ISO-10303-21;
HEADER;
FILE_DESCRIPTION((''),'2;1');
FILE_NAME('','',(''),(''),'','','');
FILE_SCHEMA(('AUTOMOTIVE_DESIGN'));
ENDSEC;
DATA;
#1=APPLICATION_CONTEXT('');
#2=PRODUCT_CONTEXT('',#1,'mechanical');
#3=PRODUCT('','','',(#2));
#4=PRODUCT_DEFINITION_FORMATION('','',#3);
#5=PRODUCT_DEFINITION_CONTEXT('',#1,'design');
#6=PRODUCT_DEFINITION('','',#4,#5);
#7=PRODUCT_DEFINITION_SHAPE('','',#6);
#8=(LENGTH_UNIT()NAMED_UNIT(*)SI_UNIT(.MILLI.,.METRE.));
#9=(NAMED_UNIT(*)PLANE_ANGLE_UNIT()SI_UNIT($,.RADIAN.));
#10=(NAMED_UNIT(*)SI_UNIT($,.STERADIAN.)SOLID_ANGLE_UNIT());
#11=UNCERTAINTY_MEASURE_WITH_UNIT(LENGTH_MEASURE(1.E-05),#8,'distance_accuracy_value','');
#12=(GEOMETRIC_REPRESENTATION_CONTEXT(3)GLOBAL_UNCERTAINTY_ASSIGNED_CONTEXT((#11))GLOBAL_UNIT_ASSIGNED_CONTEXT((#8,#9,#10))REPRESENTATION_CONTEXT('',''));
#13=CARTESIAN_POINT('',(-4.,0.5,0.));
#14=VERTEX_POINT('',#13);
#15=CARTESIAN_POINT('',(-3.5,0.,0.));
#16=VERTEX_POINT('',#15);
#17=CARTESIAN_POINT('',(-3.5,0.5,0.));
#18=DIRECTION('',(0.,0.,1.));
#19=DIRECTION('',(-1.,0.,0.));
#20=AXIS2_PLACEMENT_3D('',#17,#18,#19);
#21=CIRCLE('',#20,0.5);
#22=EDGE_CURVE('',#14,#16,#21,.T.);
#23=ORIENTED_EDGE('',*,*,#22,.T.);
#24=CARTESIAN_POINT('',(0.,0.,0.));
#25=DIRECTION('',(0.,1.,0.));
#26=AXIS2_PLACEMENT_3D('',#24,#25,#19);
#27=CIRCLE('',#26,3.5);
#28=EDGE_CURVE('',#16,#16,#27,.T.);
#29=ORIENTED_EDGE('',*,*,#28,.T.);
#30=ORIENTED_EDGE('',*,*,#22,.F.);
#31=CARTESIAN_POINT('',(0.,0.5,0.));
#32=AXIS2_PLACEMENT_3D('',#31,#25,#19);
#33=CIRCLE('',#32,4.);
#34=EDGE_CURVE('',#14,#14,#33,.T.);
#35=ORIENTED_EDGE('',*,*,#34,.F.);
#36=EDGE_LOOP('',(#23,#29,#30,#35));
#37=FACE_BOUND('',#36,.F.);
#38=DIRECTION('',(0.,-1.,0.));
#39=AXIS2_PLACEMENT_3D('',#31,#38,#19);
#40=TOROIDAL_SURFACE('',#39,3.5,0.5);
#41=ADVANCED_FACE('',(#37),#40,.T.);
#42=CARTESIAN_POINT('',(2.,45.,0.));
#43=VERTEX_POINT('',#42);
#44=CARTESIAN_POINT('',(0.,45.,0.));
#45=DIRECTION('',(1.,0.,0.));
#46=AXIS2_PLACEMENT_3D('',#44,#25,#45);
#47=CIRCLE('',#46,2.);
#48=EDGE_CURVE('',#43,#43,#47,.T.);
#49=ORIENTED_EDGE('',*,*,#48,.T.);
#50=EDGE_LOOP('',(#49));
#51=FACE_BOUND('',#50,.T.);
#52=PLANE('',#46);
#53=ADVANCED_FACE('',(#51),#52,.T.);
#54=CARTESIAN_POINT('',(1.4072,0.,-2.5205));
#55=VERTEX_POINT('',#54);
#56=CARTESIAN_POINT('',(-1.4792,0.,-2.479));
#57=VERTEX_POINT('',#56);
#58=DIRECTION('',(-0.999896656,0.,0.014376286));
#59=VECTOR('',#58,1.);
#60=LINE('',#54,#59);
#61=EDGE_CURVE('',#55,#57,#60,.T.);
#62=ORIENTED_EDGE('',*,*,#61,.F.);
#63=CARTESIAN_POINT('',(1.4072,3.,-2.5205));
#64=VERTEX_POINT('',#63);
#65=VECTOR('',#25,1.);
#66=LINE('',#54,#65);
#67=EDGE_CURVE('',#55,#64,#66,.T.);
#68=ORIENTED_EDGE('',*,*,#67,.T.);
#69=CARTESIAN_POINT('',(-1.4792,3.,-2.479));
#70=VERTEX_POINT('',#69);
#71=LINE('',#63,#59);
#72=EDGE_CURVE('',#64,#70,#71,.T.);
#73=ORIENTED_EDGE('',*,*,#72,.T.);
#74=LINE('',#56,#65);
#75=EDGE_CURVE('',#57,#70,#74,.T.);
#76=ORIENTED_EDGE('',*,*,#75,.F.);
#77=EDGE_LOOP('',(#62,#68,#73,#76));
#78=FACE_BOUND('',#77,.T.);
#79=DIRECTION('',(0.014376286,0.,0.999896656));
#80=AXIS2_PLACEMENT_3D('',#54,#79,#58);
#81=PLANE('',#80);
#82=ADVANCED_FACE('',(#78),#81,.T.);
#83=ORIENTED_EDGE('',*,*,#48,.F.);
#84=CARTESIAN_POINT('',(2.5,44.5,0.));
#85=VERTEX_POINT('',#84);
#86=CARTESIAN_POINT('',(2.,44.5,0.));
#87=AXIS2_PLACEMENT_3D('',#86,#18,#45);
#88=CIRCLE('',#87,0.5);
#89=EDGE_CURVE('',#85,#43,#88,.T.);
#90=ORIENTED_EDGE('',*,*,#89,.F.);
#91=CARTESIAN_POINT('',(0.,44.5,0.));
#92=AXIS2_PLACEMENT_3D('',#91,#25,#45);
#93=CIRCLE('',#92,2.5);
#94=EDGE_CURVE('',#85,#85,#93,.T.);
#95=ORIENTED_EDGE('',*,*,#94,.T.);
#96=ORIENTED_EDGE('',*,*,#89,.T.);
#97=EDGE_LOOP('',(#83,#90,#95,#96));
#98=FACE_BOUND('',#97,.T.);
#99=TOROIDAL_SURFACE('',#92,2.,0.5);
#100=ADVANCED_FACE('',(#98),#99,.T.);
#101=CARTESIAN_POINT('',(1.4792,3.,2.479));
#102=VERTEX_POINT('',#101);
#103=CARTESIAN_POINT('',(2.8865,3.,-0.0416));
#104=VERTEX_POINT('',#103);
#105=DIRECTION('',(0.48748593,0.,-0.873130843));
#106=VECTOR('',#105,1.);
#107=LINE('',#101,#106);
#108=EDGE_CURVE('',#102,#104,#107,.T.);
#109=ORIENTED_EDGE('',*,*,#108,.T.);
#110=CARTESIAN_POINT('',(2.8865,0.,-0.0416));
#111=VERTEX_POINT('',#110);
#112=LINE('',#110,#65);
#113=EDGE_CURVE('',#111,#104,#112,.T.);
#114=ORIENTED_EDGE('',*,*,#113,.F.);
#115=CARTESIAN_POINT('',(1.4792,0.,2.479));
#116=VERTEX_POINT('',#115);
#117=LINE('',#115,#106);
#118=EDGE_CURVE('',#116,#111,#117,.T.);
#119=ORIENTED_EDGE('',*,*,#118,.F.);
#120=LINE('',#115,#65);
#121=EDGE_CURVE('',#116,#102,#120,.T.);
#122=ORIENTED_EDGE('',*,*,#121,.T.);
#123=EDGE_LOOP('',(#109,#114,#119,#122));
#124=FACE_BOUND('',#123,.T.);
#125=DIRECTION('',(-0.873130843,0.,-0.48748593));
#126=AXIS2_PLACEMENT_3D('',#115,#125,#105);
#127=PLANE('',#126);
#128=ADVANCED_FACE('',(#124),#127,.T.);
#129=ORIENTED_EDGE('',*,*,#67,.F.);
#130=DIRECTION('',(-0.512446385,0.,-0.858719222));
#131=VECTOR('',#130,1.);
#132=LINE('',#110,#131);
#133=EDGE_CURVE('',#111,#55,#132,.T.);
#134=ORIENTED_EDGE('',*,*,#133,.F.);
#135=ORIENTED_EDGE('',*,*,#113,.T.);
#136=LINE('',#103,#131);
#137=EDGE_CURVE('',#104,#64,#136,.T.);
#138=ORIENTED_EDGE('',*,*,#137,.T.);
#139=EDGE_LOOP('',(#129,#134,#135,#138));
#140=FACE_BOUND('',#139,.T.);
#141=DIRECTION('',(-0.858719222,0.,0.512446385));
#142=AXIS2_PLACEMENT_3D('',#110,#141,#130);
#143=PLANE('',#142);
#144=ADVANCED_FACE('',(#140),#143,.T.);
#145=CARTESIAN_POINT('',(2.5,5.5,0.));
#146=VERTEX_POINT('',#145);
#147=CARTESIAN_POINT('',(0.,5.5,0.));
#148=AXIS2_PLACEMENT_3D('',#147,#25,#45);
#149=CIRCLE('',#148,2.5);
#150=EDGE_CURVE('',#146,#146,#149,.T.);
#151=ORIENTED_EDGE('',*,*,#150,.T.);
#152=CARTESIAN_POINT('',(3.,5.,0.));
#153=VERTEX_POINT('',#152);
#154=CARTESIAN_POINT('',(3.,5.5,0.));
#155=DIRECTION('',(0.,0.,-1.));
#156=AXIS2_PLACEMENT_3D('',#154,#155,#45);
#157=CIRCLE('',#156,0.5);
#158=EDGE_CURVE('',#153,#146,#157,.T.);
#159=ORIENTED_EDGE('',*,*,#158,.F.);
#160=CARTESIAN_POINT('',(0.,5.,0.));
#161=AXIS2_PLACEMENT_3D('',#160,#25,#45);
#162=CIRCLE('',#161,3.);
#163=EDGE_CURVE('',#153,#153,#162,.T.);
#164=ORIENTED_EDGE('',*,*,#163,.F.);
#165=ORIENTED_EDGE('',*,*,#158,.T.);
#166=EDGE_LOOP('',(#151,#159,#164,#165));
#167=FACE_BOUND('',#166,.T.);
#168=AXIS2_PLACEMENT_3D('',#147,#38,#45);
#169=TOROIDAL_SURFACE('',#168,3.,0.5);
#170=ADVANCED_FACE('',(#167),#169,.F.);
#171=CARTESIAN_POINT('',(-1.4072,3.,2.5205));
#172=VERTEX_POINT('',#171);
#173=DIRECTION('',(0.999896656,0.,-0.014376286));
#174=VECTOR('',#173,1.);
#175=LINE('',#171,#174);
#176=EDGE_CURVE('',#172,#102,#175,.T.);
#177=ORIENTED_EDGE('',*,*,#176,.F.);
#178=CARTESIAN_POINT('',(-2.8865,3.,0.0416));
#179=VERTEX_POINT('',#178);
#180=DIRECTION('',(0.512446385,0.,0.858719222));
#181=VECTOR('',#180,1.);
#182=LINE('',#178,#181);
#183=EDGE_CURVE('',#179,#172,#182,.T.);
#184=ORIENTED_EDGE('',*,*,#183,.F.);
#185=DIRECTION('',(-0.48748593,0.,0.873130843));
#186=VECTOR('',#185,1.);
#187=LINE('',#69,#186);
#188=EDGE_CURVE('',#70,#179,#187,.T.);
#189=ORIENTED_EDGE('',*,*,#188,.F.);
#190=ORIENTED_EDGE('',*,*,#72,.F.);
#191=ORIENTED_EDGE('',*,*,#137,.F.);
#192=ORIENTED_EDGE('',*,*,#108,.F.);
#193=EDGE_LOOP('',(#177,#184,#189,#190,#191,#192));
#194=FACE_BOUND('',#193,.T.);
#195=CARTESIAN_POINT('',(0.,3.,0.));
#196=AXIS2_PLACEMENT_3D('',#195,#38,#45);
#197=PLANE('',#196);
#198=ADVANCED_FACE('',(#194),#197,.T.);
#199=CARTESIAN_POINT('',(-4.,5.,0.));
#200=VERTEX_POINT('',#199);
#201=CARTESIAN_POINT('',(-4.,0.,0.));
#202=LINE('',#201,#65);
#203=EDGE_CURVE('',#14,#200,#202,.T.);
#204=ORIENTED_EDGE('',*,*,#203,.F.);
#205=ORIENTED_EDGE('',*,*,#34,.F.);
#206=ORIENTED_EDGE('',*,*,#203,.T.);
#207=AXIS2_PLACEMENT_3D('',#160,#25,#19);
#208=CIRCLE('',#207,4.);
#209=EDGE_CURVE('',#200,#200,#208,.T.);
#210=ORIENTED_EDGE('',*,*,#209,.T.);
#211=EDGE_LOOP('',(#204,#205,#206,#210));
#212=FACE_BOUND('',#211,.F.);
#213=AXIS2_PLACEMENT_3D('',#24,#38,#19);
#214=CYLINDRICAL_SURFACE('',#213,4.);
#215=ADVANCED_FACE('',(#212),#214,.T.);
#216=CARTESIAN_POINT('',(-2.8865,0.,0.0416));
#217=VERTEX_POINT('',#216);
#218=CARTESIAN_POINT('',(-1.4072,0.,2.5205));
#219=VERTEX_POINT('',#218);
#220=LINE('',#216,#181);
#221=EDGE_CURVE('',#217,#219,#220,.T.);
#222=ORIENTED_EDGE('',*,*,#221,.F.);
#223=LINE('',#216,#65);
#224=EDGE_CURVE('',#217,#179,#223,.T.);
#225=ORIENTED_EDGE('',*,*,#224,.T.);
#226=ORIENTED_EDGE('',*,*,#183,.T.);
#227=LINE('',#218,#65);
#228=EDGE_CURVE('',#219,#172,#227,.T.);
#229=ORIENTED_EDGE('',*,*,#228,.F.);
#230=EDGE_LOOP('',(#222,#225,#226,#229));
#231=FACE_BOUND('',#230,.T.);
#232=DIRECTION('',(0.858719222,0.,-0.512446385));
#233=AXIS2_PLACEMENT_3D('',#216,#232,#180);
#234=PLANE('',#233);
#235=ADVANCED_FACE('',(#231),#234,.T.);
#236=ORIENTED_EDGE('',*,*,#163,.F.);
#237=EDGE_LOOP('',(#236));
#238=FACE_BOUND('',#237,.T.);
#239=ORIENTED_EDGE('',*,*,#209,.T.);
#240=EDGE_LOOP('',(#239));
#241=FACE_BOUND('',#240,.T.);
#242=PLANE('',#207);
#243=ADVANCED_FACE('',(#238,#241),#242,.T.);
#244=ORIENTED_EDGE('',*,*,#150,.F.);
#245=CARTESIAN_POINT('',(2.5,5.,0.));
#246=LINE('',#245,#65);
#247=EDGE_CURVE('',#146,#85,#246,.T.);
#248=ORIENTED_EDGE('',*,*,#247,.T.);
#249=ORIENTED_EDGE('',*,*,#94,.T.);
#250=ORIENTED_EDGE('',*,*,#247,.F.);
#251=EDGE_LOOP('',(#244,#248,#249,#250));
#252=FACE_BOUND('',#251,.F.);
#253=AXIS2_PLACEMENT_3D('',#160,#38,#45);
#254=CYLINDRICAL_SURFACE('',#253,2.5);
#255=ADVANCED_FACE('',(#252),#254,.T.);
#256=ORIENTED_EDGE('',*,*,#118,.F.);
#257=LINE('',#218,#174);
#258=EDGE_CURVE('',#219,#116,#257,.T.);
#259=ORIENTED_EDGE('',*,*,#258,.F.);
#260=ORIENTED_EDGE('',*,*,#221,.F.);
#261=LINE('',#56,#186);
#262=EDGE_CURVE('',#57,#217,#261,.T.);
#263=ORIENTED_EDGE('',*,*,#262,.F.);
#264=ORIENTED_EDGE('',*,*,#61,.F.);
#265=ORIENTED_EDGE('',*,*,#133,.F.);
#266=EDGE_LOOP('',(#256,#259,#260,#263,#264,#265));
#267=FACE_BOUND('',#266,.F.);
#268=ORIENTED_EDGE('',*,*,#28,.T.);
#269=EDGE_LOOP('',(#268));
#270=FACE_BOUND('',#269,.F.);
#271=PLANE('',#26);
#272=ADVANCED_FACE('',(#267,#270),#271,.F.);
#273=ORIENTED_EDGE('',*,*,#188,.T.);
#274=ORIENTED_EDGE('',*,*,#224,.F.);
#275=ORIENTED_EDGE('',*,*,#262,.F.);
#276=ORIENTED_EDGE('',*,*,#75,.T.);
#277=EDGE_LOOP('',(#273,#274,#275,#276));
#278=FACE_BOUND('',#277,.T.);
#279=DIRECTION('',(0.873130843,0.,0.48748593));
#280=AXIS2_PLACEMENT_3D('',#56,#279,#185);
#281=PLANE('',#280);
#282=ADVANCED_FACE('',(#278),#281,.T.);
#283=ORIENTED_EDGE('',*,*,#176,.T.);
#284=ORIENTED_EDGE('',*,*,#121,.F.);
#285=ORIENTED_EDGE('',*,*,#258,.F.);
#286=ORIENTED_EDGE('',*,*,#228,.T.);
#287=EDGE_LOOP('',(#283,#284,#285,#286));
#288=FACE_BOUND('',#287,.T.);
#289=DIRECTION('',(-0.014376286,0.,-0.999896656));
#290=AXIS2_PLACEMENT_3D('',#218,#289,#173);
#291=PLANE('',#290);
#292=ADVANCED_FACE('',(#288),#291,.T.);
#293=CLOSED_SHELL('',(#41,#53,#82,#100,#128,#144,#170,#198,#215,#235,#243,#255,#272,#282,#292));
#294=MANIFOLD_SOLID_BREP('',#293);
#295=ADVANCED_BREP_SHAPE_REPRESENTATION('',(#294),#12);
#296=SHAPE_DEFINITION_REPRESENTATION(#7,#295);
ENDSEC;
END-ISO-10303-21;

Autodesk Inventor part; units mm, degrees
ref_plane "YZ Plane" through (0, 0, 0) normal (1, 0, 0) x (0, 1, 0)
ref_plane "XZ Plane" through (0, 0, 0) normal (0, 1, 0) x (-1, 0, 0)
ref_plane "XY Plane" through (0, 0, 0) normal (0, 0, 1) x (1, 0, 0)
sketch "Sketch1" plane through (0, 0, 0) normal (0, 1, 0) x (-1, 0, 0)
  circle A0 centre (0, 0) radius 4
  dimension "d0" = 8
extrude "Extrusion1" add sketch "Sketch1" along normal blind 5
sketch "Sketch2" plane through (0, 5, 0) normal (0, 1, 0) x (1, 0, 0)
  circle A0 centre (0, 0) radius 2.5
  dimension "d3" = 5
extrude "Extrusion2" add sketch "Sketch2" along normal blind 40
sketch "Sketch3" plane through (0, 0, 0) normal (0, -1, 0) x (1, 0, 0)
  line L0 (2.8865, -0.0416) -> (1.4072, -2.5205)
  line L1 (1.4072, -2.5205) -> (-1.4792, -2.479)
  line L2 (-1.4792, -2.479) -> (-2.8865, 0.0416)
  line L3 (-2.8865, 0.0416) -> (-1.4072, 2.5205)
  line L4 (-1.4072, 2.5205) -> (1.4792, 2.479)
  line L5 (1.4792, 2.479) -> (2.8865, -0.0416)
  point P0 (0, 0)
  point P1 (0, 0)
  dimension "d6" = 2.5
extrude "Extrusion3" cut sketch "Sketch3" against normal blind 3
fillet "Fillet1" radius 0.5 1 edges at (4, 0, 0)
fillet "Fillet2" radius 0.5 2 edges at (-2.5, 5, 0) (-2.5, 45, 0)
properties part number "bulong5mmdai50"
